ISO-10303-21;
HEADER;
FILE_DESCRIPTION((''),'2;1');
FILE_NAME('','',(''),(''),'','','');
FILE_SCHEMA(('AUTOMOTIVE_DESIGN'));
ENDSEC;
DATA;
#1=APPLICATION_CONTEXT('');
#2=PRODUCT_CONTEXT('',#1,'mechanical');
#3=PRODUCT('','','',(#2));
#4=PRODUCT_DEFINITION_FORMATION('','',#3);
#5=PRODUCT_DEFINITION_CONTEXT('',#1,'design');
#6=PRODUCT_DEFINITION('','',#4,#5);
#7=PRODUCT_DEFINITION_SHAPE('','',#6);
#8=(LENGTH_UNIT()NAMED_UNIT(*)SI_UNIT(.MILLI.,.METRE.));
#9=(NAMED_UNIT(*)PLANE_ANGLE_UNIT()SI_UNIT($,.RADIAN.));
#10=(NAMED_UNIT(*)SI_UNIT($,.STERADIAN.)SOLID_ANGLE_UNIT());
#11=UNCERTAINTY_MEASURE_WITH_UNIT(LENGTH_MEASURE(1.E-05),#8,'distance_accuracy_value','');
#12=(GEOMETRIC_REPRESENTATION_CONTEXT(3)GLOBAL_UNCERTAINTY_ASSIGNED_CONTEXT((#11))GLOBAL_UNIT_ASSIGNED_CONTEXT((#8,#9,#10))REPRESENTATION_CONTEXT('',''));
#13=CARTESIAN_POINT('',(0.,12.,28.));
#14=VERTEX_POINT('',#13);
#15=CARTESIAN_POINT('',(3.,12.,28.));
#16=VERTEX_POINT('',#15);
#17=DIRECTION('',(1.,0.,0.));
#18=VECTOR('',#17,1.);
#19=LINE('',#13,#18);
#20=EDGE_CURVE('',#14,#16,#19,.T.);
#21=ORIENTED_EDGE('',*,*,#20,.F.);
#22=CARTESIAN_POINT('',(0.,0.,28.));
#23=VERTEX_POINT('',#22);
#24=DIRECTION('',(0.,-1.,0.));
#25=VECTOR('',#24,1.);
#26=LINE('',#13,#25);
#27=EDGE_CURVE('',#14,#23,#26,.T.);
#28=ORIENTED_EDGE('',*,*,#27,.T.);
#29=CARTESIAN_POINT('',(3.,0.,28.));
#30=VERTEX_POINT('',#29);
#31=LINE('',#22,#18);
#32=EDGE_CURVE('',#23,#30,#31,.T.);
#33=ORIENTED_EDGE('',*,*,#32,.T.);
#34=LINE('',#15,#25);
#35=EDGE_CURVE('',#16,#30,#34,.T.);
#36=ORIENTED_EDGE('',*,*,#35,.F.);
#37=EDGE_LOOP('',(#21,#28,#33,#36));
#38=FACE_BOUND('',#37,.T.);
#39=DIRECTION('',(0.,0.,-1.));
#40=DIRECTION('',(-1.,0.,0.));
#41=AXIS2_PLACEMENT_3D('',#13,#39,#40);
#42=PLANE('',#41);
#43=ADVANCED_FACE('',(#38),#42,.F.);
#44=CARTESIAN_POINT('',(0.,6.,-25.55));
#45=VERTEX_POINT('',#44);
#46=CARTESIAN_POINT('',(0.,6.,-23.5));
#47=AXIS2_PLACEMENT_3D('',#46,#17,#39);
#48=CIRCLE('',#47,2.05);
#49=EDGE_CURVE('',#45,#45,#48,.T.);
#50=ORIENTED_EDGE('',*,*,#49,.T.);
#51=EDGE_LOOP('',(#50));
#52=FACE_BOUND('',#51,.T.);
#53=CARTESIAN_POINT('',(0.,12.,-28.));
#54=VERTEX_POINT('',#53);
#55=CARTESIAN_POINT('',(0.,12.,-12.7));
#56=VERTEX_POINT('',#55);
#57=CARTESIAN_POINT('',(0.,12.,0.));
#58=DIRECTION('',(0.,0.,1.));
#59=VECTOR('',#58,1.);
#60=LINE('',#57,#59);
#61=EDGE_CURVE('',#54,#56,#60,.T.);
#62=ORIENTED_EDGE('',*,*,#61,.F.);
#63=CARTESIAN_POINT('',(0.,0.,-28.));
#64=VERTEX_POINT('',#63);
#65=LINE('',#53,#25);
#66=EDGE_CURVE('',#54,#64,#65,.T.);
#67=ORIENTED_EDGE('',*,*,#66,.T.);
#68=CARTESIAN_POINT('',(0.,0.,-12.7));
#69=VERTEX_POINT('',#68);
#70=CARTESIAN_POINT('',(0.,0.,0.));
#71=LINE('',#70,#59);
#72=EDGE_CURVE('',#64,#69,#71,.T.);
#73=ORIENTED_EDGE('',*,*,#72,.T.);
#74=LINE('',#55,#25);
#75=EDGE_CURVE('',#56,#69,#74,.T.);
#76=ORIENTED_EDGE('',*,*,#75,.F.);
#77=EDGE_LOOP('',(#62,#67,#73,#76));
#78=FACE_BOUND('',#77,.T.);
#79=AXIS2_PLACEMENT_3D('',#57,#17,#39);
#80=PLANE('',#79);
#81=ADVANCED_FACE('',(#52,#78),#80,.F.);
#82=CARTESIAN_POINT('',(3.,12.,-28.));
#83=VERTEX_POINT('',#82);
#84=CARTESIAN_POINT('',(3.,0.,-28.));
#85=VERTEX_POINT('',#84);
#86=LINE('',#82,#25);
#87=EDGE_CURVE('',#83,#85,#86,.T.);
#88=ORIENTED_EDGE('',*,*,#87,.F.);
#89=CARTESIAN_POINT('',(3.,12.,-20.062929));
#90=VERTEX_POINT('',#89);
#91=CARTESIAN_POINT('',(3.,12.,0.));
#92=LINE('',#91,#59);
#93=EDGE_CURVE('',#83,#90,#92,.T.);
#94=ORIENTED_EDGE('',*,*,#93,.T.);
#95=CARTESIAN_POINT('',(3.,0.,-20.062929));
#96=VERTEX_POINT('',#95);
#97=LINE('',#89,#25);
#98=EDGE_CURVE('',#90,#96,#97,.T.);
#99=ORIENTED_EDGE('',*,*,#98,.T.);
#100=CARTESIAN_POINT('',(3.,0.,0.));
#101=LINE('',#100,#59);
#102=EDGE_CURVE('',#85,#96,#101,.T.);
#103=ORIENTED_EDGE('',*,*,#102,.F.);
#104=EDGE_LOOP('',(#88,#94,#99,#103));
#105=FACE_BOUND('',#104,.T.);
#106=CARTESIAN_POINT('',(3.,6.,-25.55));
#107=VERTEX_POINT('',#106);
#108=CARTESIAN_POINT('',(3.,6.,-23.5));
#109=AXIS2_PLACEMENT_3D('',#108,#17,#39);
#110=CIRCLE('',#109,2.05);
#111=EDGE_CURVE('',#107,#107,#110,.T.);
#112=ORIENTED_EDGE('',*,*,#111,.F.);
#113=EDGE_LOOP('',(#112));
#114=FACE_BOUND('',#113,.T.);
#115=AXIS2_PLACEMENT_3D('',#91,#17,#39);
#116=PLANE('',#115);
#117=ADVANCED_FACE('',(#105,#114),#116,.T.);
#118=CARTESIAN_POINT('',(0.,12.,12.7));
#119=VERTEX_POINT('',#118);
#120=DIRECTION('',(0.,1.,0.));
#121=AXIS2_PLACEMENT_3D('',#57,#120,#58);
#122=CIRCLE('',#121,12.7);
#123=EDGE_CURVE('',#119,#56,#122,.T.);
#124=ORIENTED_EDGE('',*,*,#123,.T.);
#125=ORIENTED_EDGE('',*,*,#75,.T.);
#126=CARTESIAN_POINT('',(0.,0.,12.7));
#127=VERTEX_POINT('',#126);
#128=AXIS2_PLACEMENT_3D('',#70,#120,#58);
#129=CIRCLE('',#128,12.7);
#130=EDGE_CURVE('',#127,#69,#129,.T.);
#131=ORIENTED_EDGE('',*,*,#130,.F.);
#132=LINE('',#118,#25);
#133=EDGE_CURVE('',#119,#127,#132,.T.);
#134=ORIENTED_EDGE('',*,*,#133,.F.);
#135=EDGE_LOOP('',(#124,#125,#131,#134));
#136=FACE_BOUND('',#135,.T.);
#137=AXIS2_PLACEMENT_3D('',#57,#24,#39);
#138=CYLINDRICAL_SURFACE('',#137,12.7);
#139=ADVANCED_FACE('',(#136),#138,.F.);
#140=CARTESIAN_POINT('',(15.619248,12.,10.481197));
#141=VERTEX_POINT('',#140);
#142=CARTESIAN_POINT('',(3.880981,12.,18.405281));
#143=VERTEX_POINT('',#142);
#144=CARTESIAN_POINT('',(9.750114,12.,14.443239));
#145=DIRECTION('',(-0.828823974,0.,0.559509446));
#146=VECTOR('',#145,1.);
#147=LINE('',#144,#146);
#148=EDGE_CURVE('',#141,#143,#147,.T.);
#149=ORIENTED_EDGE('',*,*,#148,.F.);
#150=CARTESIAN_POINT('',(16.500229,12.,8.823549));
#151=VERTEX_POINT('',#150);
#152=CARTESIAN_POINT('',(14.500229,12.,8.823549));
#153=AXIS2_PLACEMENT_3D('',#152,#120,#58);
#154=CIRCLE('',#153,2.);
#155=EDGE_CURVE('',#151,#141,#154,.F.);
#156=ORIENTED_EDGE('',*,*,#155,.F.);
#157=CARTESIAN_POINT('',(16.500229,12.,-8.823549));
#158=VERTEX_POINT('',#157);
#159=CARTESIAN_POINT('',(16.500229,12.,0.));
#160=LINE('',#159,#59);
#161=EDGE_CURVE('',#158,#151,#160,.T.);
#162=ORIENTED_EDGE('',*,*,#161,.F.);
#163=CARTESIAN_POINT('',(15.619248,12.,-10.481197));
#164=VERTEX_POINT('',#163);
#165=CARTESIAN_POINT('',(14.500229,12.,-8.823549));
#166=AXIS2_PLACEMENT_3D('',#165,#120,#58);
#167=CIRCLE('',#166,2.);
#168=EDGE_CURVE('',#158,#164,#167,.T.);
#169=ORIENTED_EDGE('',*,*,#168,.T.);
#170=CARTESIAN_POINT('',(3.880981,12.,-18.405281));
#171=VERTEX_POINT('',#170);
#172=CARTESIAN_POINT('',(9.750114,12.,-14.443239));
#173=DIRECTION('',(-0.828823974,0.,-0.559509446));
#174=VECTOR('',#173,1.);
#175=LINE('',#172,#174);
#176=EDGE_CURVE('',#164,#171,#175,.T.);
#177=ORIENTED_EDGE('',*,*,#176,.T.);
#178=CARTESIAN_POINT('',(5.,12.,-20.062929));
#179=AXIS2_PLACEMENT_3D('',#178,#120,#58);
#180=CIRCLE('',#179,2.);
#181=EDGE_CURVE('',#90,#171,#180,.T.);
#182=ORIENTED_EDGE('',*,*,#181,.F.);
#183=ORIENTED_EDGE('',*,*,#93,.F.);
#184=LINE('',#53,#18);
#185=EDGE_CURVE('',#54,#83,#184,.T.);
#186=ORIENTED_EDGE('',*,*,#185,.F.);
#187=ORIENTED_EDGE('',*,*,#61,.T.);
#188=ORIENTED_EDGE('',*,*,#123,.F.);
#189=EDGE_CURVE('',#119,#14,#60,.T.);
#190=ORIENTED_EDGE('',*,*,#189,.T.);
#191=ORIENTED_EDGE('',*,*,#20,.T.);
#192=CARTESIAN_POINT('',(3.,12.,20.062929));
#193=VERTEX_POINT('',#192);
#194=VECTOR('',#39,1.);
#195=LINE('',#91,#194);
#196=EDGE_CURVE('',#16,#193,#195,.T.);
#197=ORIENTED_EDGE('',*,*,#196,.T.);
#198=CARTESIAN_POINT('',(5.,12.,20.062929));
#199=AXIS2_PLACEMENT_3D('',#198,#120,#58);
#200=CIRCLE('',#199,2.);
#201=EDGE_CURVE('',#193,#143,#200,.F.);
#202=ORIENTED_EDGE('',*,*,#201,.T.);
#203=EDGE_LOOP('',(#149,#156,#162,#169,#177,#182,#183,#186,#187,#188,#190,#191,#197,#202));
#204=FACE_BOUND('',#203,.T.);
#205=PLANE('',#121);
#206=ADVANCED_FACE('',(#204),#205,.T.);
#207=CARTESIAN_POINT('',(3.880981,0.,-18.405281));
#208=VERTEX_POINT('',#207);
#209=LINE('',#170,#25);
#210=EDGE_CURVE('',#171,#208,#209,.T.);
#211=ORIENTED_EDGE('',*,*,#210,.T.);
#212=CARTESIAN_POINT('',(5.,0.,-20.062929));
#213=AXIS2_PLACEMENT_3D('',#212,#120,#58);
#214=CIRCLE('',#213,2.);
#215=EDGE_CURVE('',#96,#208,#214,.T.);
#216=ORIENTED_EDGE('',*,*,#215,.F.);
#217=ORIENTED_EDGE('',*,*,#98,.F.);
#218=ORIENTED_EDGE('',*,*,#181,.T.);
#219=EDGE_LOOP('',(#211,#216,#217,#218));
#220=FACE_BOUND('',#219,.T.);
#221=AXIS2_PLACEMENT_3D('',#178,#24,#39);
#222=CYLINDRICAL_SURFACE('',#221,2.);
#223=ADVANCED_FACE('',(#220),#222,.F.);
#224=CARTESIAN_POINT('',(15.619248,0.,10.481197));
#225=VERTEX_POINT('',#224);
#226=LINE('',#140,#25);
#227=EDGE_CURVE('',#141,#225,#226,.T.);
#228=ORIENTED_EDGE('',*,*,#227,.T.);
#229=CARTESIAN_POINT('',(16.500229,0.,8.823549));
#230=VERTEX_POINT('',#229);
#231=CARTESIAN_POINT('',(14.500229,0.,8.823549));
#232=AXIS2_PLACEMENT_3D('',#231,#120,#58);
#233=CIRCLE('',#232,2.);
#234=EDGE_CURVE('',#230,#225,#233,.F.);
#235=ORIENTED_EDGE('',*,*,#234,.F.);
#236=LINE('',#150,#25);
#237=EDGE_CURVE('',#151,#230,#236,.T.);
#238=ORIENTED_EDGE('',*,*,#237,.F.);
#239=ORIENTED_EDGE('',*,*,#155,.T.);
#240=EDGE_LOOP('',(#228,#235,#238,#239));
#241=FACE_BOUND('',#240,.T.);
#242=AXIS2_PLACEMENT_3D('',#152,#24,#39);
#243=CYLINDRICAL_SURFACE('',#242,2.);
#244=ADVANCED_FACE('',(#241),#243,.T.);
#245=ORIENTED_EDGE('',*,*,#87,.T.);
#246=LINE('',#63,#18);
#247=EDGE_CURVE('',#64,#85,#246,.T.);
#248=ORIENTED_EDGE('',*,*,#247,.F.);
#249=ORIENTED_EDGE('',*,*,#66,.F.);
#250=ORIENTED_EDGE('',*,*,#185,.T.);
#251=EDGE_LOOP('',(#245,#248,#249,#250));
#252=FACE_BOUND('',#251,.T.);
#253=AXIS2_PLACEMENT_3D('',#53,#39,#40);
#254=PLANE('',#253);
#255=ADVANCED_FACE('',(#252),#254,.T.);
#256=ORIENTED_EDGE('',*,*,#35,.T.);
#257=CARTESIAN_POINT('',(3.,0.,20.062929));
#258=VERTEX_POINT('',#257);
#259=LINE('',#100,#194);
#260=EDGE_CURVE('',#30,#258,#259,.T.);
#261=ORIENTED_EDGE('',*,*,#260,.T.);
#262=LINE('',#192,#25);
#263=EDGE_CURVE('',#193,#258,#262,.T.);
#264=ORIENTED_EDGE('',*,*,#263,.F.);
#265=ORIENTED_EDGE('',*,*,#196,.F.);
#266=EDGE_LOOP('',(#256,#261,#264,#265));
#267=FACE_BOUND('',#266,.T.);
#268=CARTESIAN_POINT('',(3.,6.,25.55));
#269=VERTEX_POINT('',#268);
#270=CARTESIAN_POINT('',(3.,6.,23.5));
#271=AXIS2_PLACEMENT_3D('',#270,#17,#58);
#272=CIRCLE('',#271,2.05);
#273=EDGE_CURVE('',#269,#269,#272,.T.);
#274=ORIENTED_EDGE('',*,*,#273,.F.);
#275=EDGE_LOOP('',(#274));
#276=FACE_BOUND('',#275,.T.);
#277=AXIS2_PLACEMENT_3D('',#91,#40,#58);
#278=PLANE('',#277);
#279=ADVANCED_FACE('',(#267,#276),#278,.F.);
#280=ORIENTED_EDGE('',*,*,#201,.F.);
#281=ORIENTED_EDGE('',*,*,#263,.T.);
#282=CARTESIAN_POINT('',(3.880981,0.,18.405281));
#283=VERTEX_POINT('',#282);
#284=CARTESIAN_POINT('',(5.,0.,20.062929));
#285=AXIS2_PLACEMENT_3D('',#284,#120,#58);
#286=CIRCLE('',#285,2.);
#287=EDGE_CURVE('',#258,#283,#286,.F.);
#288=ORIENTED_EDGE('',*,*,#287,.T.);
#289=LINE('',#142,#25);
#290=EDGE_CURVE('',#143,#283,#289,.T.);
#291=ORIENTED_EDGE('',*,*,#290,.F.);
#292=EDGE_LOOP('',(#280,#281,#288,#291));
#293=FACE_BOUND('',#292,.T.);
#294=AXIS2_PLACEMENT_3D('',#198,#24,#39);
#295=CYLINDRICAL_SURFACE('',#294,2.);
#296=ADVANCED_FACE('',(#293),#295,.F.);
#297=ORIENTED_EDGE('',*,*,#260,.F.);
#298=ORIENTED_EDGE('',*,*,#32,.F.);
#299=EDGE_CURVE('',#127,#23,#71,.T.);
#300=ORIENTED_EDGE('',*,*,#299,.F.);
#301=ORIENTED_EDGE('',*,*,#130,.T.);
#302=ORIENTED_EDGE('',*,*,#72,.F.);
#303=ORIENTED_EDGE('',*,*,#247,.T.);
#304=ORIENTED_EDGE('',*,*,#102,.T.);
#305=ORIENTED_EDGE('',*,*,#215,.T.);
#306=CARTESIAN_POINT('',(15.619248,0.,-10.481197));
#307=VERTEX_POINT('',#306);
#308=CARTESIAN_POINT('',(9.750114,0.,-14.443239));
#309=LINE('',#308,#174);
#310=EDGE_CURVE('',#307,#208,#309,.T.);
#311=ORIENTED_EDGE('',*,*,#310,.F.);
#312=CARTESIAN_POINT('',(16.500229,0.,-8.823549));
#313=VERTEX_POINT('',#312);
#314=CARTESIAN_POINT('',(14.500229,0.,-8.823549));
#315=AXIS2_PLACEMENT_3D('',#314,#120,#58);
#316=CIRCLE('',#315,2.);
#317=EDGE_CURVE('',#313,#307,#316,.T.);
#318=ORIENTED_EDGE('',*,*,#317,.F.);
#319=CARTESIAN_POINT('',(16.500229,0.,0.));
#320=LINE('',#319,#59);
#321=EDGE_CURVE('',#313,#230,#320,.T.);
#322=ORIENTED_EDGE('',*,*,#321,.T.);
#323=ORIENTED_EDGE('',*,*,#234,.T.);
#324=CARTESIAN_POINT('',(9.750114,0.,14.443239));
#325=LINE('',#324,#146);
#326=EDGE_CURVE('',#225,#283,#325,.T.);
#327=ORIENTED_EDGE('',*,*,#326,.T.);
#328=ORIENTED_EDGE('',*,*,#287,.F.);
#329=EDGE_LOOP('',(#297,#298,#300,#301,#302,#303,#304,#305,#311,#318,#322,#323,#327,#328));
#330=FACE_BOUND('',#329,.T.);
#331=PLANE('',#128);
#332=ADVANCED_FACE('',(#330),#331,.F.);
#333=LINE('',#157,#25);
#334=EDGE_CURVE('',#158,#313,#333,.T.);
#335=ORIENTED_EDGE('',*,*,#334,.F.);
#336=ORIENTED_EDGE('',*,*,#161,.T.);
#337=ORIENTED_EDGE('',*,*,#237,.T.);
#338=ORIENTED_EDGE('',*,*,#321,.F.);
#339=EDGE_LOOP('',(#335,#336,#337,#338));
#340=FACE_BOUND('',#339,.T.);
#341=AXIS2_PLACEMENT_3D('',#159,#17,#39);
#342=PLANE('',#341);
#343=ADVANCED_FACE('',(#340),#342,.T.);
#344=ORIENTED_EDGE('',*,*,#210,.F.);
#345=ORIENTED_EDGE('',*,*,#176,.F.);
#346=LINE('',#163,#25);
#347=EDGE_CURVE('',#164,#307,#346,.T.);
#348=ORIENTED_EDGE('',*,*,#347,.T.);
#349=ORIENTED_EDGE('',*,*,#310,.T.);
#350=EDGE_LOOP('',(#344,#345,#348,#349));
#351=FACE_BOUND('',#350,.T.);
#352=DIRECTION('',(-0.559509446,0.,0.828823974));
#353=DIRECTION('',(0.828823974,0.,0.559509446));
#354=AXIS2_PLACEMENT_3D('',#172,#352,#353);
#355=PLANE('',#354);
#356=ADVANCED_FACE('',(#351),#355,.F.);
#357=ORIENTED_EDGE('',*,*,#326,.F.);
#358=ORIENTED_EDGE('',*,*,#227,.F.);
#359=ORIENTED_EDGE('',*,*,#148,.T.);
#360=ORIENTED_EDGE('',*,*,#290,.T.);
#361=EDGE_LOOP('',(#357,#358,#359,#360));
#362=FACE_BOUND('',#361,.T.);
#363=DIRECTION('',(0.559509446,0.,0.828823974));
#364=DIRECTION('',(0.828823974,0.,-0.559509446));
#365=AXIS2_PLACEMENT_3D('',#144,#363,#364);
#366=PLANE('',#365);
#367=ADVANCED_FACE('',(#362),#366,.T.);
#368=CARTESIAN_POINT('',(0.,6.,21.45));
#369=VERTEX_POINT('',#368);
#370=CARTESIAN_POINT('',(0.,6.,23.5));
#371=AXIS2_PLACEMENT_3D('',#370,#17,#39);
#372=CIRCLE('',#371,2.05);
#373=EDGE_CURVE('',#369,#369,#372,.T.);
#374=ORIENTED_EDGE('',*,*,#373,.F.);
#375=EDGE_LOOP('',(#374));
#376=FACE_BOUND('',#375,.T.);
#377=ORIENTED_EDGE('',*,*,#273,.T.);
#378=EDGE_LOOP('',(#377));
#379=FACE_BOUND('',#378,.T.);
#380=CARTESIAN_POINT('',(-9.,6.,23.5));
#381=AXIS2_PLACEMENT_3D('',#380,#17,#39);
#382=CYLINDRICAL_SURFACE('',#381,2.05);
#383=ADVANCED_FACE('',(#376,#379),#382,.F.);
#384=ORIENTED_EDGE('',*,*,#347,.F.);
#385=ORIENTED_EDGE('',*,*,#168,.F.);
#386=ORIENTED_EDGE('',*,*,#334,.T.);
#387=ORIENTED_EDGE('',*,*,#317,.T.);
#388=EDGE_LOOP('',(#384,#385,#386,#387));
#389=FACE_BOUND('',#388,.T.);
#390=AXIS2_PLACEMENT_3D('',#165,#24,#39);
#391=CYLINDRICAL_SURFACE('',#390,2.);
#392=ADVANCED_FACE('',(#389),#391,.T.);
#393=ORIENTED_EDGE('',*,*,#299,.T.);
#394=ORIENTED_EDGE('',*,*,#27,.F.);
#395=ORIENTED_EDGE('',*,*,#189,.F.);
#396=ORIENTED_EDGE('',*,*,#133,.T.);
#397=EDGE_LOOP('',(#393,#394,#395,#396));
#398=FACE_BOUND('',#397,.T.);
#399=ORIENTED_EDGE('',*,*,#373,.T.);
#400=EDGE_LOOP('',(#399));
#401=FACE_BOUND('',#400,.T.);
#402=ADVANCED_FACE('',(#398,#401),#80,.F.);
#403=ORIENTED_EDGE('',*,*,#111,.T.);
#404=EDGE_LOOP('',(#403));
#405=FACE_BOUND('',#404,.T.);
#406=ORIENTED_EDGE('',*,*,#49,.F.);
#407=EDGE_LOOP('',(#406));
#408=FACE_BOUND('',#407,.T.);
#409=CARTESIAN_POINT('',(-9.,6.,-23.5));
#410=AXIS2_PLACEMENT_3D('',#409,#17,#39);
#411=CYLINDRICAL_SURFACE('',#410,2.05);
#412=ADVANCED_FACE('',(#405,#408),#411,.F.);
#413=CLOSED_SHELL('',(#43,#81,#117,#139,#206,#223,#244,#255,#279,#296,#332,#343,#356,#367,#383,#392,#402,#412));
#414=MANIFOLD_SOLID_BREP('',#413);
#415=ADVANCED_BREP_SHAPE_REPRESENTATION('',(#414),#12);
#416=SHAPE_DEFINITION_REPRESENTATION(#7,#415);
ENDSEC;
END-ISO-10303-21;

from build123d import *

# Parameters (mm, degrees)
BOSS_EXTRUDE1_DEPTH = 12
SKETCH2_R           = 2.05
CUT_EXTRUDE1_DEPTH  = 12


with BuildPart() as part:
    # Sketch1 → Boss-Extrude1 (new body)
    with BuildSketch(Plane(origin=(0, 0, 0), x_dir=(1, 0, 0), z_dir=(0, 1, 0))):
        with BuildLine():
            ThreePointArc((3.343223695, 18.942620076), (1.678008896, 19.162053286), (0, 19.235384062))
            Line((0, 19.235384062), (0, 12.7))
            ThreePointArc((0, 12.7), (8.980256121, 8.980256121), (12.7, 0))
            Line((12.7, 0), (16.500228948, 0))
            Line((16.500228948, 0), (16.500228948, 8.823548786))
            ThreePointArc((16.500228948, 8.823548786), (16.266303378, 9.762154724), (15.619247841, 10.481196733))
            Line((15.619247841, 10.481196733), (3.880981107, 18.405281137))
            ThreePointArc((3.880981107, 18.405281137), (3.586337017, 18.648165156), (3.343223695, 18.942620076))
        make_face()
        with BuildLine():
            Line((3, 28), (0, 28))
            Line((0, 28), (0, 19.235384062))
            ThreePointArc((0, 19.235384062), (1.678008896, 19.162053286), (3.343223695, 18.942620076))
            ThreePointArc((3.343223695, 18.942620076), (3.087730065, 19.477076121), (3, 20.062929084))
            Line((3, 20.062929084), (3, 28))
        make_face()
        with BuildLine():
            Line((16.500228948, 0), (12.7, 0))
            ThreePointArc((12.7, 0), (8.980256121, -8.980256121), (0, -12.7))
            Line((0, -12.7), (0, -19.235384062))
            ThreePointArc((0, -19.235384062), (1.678008896, -19.162053286), (3.343223695, -18.942620076))
            ThreePointArc((3.343223695, -18.942620076), (3.586337017, -18.648165156), (3.880981107, -18.405281137))
            Line((3.880981107, -18.405281137), (15.619247841, -10.481196733))
            ThreePointArc((15.619247841, -10.481196733), (16.266303378, -9.762154724), (16.500228948, -8.823548786))
            Line((16.500228948, -8.823548786), (16.500228948, 0))
        make_face()
        with BuildLine():
            ThreePointArc((3.343223695, -18.942620076), (1.678008896, -19.162053286), (0, -19.235384062))
            Line((0, -19.235384062), (0, -28))
            Line((0, -28), (3, -28))
            Line((3, -28), (3, -20.062929084))
            ThreePointArc((3, -20.062929084), (3.087730065, -19.477076121), (3.343223695, -18.942620076))
        make_face()
    extrude(amount=BOSS_EXTRUDE1_DEPTH)

    # Sketch2 → Cut-Extrude1 (cut)
    with BuildSketch(Plane(origin=(3, 0, 0), x_dir=(0, 0, -1), z_dir=(1, 0, 0))):
        with Locations((23.5, 6)):
            Circle(SKETCH2_R)
        with Locations((-23.5, 6)):
            Circle(SKETCH2_R)
    extrude(amount=-CUT_EXTRUDE1_DEPTH, mode=Mode.SUBTRACT)


solid = part.part
